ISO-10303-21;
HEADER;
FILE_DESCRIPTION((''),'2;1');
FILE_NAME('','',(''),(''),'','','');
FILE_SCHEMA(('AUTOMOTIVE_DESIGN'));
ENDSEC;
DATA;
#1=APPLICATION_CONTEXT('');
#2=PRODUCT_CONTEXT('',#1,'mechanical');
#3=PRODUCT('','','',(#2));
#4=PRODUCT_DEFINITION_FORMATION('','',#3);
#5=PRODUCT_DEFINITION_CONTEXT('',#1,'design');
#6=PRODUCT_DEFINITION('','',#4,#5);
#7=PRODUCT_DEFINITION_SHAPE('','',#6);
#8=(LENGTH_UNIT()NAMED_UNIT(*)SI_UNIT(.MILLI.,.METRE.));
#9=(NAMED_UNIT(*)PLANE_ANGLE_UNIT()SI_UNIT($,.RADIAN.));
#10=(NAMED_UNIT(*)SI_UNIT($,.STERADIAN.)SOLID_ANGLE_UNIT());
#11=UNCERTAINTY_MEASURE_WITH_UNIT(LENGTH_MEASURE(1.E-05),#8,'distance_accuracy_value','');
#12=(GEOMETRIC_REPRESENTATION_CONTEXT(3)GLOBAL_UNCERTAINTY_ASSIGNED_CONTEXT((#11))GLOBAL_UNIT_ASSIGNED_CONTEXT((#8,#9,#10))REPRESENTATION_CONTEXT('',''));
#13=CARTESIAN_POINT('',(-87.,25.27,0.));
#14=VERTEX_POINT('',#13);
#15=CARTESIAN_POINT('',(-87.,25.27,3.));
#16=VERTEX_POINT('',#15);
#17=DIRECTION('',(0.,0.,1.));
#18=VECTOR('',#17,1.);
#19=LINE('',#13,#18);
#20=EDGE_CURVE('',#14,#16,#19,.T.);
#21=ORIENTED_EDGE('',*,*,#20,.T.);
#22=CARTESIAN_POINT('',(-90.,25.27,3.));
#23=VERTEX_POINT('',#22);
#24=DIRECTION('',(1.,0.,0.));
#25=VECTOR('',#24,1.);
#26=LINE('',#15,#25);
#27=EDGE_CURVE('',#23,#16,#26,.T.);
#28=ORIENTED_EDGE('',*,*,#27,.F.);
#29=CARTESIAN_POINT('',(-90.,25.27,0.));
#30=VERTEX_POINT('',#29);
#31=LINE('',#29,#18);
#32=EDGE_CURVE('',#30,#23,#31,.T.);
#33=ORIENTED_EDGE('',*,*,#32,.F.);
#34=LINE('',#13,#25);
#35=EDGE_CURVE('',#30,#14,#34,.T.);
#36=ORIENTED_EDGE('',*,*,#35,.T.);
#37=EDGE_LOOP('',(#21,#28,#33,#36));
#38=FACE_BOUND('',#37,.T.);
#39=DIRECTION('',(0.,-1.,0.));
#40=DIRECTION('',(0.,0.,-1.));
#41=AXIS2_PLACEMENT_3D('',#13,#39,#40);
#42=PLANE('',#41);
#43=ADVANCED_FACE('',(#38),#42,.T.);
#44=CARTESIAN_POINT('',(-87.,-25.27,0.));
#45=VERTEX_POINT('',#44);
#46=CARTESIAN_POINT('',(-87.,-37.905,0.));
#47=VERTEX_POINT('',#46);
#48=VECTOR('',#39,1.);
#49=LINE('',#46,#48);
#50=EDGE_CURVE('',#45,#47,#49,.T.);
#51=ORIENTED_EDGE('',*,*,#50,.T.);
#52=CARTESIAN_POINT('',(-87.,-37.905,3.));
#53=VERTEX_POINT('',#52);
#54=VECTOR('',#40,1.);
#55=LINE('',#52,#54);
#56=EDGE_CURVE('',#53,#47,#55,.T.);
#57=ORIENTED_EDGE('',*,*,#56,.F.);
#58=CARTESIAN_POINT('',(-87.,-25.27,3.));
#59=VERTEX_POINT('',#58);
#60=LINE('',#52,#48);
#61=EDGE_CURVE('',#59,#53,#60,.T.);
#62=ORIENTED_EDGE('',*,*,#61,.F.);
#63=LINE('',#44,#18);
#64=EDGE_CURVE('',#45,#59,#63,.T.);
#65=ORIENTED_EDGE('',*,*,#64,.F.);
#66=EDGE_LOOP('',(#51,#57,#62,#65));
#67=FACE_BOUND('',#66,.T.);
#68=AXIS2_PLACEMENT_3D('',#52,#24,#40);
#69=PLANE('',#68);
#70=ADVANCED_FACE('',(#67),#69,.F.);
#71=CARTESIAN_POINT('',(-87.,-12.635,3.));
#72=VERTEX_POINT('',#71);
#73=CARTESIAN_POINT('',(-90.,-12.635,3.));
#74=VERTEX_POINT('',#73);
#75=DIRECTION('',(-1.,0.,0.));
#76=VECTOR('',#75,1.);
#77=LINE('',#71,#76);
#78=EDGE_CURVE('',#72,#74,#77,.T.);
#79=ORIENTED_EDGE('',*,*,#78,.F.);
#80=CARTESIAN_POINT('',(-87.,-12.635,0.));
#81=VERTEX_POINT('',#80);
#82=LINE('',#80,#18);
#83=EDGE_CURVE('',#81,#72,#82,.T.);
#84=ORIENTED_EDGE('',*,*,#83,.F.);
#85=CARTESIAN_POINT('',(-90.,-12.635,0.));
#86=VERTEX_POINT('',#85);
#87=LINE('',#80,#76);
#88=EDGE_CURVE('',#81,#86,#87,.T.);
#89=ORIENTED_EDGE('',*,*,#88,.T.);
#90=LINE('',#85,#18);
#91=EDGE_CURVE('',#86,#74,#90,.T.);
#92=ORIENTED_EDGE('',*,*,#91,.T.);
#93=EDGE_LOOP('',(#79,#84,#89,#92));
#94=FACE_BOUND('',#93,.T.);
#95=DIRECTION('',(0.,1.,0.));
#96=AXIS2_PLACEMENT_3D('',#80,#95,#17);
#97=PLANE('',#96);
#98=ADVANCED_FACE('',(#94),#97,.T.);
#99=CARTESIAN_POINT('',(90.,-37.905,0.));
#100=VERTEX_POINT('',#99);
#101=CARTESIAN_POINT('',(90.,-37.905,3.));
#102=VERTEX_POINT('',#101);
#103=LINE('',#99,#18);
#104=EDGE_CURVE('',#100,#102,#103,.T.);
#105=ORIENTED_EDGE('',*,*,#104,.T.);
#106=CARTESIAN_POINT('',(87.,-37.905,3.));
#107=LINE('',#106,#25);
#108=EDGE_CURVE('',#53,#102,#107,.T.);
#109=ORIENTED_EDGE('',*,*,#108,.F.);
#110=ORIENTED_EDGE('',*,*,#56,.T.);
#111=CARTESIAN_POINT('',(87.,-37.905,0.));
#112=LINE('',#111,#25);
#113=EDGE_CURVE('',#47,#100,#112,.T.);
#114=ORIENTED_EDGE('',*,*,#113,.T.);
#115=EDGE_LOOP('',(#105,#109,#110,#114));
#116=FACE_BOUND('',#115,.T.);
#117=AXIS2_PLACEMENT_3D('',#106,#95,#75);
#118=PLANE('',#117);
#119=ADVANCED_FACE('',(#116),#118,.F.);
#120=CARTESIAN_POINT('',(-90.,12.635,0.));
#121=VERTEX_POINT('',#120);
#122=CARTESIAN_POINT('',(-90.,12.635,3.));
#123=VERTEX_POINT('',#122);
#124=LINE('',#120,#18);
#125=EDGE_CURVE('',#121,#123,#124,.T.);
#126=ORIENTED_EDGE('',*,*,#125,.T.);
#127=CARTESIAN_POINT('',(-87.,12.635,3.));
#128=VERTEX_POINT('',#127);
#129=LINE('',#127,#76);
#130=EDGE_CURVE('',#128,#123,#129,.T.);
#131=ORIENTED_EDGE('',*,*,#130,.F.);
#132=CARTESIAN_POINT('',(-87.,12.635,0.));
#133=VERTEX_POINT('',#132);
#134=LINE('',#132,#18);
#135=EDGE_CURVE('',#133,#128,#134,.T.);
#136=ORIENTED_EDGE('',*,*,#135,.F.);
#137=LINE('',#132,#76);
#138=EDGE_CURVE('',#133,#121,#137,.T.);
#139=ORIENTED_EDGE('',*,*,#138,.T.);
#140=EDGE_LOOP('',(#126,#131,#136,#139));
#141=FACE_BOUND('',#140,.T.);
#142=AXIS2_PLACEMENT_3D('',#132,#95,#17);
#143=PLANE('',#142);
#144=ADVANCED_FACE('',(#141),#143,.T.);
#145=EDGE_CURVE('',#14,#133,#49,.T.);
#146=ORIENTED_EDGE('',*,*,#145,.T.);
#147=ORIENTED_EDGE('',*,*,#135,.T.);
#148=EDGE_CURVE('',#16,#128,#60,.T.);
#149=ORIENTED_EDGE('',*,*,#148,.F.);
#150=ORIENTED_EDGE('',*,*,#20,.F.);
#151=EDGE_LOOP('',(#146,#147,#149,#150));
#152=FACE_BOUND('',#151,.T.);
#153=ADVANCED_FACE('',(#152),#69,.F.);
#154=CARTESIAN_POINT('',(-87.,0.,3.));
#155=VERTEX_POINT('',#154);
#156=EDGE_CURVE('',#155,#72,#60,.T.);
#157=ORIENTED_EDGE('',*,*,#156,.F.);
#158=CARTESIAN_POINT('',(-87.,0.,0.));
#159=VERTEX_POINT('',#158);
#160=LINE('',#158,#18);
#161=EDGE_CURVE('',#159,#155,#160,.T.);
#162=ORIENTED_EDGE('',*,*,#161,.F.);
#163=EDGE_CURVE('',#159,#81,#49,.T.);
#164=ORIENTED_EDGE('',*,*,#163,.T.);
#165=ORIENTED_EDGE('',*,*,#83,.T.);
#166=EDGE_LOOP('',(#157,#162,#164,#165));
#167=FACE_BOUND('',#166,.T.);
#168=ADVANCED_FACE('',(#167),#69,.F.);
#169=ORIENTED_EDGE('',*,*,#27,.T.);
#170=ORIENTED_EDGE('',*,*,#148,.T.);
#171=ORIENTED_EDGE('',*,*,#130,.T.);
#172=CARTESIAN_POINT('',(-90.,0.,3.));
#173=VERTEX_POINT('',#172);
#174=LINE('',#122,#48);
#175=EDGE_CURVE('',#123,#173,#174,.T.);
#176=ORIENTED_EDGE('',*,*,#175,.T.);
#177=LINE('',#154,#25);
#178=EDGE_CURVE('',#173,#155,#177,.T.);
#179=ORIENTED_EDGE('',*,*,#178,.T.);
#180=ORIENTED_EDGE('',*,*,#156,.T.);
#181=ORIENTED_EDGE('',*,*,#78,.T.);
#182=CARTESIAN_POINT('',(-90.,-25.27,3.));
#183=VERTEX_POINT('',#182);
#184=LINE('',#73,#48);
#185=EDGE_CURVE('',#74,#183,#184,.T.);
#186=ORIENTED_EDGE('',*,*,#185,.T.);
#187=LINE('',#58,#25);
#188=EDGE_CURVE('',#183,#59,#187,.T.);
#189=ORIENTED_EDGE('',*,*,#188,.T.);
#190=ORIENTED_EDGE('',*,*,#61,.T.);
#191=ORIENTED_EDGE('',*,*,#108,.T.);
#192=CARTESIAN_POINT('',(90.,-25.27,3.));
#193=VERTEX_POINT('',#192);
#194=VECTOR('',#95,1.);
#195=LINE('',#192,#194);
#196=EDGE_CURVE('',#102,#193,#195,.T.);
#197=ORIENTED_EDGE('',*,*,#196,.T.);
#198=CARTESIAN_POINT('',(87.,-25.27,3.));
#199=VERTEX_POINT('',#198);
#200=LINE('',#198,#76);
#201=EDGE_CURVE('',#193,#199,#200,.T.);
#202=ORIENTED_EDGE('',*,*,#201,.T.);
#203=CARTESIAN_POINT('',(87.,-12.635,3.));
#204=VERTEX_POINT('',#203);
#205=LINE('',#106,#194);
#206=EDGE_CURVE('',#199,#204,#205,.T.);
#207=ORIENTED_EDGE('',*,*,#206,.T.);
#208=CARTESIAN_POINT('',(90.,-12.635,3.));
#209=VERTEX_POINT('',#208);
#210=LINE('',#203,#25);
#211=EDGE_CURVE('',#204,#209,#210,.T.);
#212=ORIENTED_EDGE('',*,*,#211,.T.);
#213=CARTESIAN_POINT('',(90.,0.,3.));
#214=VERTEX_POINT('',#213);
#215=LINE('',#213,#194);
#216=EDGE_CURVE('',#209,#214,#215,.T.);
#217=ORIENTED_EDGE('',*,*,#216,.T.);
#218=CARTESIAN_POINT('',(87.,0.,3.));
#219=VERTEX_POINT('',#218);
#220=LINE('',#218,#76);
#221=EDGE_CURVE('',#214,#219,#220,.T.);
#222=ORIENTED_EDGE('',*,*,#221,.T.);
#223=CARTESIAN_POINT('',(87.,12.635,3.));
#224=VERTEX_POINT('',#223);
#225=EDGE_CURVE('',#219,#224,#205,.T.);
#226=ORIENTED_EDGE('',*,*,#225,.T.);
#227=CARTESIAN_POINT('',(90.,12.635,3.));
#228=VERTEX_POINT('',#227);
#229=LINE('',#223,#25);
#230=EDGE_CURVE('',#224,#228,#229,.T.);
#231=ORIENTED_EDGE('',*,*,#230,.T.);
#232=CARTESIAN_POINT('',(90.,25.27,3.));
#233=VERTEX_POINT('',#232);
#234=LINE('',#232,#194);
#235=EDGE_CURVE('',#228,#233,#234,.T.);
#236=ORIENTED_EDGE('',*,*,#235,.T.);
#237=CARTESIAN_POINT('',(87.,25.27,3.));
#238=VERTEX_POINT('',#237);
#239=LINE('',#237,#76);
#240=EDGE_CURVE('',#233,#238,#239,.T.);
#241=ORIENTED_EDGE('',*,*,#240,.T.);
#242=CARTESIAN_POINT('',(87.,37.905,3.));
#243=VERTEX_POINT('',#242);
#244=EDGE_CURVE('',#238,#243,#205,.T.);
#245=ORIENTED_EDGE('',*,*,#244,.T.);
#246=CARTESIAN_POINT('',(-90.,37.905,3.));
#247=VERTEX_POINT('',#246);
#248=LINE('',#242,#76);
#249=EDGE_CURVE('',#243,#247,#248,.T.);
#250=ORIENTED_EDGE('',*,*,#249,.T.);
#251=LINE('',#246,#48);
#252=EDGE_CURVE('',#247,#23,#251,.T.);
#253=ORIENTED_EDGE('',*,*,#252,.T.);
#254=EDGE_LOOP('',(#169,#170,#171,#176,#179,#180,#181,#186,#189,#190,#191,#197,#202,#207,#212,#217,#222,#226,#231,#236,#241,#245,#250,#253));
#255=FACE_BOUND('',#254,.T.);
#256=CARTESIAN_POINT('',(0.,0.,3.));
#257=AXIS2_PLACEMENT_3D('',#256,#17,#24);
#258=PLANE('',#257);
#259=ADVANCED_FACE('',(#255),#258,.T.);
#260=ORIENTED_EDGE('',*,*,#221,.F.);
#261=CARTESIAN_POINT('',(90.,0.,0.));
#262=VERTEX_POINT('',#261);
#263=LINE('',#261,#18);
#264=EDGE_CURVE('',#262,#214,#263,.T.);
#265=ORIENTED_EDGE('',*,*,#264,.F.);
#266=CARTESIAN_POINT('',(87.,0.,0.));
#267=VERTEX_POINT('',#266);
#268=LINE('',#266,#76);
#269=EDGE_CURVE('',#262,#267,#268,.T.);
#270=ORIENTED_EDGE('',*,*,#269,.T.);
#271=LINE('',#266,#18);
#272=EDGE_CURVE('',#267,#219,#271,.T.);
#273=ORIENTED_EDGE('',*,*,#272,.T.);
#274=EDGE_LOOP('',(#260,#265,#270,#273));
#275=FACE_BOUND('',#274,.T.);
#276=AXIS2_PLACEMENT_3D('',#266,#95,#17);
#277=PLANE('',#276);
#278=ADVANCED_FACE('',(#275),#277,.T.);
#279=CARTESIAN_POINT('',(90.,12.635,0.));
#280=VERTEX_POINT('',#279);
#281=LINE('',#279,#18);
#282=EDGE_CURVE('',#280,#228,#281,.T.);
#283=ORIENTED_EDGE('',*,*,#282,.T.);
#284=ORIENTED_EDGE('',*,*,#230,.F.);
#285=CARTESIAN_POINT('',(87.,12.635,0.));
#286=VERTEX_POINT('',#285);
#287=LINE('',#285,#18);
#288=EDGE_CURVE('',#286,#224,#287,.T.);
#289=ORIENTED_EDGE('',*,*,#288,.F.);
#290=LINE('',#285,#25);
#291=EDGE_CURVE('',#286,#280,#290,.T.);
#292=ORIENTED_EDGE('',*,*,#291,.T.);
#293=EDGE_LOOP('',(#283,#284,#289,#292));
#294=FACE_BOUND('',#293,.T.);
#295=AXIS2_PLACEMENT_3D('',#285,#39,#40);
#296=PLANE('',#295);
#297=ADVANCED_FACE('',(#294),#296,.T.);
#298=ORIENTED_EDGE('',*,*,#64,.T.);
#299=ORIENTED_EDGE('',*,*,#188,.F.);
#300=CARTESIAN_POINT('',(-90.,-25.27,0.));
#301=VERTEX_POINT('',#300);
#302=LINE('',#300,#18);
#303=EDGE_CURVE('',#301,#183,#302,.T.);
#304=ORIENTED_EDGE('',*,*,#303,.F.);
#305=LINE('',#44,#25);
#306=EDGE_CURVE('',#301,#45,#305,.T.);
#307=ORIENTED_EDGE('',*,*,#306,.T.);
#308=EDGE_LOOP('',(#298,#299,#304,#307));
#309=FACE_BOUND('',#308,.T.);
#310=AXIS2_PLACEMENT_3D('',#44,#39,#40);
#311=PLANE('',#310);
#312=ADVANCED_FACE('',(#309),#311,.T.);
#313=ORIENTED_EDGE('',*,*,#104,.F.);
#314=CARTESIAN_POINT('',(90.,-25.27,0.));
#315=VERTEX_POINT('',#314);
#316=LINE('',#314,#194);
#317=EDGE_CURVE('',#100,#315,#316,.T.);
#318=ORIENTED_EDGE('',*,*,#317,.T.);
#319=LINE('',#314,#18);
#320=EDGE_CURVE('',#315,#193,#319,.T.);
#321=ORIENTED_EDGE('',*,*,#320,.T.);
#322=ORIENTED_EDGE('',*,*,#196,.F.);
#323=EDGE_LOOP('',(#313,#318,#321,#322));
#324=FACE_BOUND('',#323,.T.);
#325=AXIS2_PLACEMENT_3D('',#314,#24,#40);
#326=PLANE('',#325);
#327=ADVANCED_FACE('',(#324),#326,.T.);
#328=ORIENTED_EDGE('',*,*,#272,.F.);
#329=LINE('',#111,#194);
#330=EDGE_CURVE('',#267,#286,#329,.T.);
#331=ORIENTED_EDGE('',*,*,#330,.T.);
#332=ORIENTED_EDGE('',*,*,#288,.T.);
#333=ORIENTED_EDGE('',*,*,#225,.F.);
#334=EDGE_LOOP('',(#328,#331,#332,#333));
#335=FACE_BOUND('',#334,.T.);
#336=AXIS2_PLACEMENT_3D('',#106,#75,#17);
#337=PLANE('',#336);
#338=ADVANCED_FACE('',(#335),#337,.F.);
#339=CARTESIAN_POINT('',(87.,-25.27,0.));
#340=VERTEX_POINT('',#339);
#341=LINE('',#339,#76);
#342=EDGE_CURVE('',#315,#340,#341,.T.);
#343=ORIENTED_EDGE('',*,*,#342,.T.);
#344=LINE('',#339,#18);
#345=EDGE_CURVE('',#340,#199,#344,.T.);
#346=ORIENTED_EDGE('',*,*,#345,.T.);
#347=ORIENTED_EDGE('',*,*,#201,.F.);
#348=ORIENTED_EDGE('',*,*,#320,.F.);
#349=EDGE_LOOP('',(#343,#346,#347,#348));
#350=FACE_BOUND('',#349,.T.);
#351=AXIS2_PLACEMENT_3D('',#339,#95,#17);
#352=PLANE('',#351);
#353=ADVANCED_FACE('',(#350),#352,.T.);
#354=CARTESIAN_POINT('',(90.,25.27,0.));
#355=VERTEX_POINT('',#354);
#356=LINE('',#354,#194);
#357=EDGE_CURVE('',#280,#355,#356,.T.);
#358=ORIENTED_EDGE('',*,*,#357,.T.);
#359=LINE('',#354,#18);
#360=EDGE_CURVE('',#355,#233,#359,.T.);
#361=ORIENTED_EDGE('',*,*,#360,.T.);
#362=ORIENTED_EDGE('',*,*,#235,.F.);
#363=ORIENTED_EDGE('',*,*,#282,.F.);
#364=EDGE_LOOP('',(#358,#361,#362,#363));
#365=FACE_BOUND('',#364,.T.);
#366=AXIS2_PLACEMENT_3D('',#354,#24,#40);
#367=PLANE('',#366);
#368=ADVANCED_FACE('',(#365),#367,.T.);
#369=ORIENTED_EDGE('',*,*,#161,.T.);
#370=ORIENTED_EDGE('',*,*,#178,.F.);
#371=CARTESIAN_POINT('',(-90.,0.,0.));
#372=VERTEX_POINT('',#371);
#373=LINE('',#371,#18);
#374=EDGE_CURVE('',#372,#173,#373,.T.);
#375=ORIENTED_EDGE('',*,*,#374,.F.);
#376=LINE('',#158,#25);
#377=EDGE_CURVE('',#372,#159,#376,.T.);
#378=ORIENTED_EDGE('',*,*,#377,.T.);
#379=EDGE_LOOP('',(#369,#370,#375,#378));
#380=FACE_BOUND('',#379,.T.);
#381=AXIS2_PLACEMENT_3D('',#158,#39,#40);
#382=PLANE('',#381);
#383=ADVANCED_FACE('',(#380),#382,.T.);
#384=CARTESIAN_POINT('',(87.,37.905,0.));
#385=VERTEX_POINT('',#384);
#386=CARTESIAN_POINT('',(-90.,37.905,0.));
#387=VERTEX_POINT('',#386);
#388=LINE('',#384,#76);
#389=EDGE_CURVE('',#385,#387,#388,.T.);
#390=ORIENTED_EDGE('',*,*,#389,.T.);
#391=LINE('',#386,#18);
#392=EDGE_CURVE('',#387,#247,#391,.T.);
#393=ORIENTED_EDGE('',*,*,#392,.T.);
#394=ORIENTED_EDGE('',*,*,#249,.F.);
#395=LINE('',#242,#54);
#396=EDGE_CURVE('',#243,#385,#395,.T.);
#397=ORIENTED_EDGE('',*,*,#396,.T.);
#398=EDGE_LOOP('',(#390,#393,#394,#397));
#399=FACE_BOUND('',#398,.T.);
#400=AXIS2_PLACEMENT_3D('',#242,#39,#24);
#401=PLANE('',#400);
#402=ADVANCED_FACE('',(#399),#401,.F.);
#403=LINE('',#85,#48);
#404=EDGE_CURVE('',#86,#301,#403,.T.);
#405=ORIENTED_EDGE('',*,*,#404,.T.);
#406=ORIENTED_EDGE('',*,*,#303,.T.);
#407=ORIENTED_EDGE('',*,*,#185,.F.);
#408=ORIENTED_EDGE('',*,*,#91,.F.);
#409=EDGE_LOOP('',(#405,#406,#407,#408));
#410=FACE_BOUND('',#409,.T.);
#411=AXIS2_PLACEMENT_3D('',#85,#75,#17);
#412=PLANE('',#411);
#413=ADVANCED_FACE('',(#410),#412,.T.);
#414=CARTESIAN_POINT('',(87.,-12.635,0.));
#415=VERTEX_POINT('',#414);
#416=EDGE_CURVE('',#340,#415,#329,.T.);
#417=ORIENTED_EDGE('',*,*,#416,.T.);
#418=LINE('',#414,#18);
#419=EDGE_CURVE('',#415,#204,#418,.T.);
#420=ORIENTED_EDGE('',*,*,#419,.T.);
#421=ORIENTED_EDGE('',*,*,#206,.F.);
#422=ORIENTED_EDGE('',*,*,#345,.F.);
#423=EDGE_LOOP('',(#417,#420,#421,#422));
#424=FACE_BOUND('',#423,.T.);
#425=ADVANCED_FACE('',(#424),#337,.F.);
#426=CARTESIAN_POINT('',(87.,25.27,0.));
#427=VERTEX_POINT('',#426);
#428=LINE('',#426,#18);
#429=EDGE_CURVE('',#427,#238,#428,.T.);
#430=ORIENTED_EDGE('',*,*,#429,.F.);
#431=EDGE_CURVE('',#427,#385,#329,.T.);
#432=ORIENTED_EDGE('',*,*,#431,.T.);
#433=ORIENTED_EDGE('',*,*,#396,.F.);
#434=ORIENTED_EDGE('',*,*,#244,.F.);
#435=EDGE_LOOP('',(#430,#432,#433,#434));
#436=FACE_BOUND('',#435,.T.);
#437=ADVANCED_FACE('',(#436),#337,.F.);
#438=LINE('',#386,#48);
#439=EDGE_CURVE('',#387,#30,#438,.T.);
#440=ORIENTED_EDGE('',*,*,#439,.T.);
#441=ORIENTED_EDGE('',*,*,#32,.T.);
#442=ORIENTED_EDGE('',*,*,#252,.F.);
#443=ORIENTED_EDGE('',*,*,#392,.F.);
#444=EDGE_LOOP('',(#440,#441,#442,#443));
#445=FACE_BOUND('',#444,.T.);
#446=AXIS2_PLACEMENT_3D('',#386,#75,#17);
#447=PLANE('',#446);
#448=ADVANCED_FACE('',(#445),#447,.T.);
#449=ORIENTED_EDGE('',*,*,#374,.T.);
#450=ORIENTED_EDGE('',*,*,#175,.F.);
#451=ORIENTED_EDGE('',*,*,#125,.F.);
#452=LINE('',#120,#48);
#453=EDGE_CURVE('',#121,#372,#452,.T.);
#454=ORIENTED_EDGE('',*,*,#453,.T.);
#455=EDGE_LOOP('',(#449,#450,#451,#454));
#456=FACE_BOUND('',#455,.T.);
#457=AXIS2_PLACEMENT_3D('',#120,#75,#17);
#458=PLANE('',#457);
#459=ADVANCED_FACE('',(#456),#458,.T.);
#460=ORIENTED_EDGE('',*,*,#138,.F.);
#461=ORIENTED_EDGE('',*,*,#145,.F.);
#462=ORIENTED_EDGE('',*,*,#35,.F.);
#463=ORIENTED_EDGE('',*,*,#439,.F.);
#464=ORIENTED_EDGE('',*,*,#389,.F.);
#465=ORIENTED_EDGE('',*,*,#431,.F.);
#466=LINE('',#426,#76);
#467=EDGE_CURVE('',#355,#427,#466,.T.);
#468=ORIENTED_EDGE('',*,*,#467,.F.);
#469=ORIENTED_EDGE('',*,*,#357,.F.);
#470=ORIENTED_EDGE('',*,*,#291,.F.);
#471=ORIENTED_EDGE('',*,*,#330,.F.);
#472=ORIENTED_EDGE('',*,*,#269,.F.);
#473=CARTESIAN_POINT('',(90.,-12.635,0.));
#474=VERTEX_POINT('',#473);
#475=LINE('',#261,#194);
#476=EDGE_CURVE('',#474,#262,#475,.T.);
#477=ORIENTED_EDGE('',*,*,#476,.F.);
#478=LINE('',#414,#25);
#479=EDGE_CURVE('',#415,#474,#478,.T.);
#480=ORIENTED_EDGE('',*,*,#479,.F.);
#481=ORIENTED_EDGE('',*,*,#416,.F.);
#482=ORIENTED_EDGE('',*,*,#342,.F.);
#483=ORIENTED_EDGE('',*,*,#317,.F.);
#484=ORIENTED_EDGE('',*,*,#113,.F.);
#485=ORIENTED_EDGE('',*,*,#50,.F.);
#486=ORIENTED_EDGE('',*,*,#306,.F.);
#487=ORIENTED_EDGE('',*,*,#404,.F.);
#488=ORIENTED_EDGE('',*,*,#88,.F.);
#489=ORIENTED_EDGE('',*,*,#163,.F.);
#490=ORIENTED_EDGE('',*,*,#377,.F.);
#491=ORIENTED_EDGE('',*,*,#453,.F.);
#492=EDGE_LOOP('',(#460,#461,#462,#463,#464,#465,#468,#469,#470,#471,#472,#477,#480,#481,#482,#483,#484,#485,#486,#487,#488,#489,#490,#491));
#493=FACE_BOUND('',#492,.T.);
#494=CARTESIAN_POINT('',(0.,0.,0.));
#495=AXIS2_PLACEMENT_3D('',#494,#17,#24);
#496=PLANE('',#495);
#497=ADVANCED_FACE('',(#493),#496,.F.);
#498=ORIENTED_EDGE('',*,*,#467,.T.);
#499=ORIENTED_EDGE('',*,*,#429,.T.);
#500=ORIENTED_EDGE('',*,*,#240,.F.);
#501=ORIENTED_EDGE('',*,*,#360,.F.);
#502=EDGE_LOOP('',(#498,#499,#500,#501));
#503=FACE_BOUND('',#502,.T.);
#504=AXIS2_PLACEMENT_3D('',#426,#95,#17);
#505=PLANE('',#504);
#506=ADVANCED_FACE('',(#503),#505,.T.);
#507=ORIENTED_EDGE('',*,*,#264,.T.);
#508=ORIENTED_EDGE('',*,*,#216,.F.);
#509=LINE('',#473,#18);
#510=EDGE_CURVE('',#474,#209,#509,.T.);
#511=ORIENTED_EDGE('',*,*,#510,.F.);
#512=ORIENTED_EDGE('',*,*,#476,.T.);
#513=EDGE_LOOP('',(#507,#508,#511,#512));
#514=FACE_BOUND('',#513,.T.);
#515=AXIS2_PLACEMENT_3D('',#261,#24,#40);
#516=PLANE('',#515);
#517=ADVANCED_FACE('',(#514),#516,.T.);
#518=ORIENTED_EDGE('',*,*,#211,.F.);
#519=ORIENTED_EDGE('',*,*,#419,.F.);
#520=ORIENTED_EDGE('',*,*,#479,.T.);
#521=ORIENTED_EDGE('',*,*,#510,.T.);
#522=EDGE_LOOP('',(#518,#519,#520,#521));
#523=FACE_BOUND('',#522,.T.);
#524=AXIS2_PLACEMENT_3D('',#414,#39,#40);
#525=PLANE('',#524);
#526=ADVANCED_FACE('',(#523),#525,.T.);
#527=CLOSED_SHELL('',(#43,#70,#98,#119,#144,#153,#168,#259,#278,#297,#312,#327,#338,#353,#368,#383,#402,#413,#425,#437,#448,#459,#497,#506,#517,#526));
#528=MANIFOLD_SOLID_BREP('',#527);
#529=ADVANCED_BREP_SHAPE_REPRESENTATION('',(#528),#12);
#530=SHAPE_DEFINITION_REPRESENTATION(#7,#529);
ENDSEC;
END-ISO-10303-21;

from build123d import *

# Parameters (mm, degrees)
ESBO_O1_W                = 174
ESBO_O1_H                = 75.81
RESSALTO_EXTRUS_O1_DEPTH = 3
ESBO_O3_W                = 3
ESBO_O3_H                = 12.635
RESSALTO_EXTRUS_O2_DEPTH = 3
ESBO_O4_W                = 3
ESBO_O4_H                = 12.635
RESSALTO_EXTRUS_O3_DEPTH = 3


with BuildPart() as part:
    # Esboço1 → Ressalto-extrusão1 (new body)
    with BuildSketch(Plane.XY):
        Rectangle(ESBO_O1_W, ESBO_O1_H)
    extrude(amount=RESSALTO_EXTRUS_O1_DEPTH)

    # Esboço3 → Ressalto-extrusão2 (add)
    with BuildSketch(Plane.XY.offset(3)):
        with Locations((-88.5, 6.3175)):
            Rectangle(ESBO_O3_W, ESBO_O3_H)
        with Locations((-88.5, 31.5875)):
            Rectangle(ESBO_O3_W, ESBO_O3_H)
        with Locations((-88.5, -18.9525)):
            Rectangle(ESBO_O3_W, ESBO_O3_H)
    extrude(amount=-RESSALTO_EXTRUS_O2_DEPTH)

    # Esboço4 → Ressalto-extrusão3 (add)
    with BuildSketch(Plane.XY.offset(3)):
        with Locations((88.5, 18.9525)):
            Rectangle(ESBO_O4_W, ESBO_O4_H)
        with Locations((88.5, -6.3175)):
            Rectangle(ESBO_O4_W, ESBO_O4_H)
        with Locations((88.5, -31.5875)):
            Rectangle(ESBO_O4_W, ESBO_O4_H)
    extrude(amount=-RESSALTO_EXTRUS_O3_DEPTH)


solid = part.part
